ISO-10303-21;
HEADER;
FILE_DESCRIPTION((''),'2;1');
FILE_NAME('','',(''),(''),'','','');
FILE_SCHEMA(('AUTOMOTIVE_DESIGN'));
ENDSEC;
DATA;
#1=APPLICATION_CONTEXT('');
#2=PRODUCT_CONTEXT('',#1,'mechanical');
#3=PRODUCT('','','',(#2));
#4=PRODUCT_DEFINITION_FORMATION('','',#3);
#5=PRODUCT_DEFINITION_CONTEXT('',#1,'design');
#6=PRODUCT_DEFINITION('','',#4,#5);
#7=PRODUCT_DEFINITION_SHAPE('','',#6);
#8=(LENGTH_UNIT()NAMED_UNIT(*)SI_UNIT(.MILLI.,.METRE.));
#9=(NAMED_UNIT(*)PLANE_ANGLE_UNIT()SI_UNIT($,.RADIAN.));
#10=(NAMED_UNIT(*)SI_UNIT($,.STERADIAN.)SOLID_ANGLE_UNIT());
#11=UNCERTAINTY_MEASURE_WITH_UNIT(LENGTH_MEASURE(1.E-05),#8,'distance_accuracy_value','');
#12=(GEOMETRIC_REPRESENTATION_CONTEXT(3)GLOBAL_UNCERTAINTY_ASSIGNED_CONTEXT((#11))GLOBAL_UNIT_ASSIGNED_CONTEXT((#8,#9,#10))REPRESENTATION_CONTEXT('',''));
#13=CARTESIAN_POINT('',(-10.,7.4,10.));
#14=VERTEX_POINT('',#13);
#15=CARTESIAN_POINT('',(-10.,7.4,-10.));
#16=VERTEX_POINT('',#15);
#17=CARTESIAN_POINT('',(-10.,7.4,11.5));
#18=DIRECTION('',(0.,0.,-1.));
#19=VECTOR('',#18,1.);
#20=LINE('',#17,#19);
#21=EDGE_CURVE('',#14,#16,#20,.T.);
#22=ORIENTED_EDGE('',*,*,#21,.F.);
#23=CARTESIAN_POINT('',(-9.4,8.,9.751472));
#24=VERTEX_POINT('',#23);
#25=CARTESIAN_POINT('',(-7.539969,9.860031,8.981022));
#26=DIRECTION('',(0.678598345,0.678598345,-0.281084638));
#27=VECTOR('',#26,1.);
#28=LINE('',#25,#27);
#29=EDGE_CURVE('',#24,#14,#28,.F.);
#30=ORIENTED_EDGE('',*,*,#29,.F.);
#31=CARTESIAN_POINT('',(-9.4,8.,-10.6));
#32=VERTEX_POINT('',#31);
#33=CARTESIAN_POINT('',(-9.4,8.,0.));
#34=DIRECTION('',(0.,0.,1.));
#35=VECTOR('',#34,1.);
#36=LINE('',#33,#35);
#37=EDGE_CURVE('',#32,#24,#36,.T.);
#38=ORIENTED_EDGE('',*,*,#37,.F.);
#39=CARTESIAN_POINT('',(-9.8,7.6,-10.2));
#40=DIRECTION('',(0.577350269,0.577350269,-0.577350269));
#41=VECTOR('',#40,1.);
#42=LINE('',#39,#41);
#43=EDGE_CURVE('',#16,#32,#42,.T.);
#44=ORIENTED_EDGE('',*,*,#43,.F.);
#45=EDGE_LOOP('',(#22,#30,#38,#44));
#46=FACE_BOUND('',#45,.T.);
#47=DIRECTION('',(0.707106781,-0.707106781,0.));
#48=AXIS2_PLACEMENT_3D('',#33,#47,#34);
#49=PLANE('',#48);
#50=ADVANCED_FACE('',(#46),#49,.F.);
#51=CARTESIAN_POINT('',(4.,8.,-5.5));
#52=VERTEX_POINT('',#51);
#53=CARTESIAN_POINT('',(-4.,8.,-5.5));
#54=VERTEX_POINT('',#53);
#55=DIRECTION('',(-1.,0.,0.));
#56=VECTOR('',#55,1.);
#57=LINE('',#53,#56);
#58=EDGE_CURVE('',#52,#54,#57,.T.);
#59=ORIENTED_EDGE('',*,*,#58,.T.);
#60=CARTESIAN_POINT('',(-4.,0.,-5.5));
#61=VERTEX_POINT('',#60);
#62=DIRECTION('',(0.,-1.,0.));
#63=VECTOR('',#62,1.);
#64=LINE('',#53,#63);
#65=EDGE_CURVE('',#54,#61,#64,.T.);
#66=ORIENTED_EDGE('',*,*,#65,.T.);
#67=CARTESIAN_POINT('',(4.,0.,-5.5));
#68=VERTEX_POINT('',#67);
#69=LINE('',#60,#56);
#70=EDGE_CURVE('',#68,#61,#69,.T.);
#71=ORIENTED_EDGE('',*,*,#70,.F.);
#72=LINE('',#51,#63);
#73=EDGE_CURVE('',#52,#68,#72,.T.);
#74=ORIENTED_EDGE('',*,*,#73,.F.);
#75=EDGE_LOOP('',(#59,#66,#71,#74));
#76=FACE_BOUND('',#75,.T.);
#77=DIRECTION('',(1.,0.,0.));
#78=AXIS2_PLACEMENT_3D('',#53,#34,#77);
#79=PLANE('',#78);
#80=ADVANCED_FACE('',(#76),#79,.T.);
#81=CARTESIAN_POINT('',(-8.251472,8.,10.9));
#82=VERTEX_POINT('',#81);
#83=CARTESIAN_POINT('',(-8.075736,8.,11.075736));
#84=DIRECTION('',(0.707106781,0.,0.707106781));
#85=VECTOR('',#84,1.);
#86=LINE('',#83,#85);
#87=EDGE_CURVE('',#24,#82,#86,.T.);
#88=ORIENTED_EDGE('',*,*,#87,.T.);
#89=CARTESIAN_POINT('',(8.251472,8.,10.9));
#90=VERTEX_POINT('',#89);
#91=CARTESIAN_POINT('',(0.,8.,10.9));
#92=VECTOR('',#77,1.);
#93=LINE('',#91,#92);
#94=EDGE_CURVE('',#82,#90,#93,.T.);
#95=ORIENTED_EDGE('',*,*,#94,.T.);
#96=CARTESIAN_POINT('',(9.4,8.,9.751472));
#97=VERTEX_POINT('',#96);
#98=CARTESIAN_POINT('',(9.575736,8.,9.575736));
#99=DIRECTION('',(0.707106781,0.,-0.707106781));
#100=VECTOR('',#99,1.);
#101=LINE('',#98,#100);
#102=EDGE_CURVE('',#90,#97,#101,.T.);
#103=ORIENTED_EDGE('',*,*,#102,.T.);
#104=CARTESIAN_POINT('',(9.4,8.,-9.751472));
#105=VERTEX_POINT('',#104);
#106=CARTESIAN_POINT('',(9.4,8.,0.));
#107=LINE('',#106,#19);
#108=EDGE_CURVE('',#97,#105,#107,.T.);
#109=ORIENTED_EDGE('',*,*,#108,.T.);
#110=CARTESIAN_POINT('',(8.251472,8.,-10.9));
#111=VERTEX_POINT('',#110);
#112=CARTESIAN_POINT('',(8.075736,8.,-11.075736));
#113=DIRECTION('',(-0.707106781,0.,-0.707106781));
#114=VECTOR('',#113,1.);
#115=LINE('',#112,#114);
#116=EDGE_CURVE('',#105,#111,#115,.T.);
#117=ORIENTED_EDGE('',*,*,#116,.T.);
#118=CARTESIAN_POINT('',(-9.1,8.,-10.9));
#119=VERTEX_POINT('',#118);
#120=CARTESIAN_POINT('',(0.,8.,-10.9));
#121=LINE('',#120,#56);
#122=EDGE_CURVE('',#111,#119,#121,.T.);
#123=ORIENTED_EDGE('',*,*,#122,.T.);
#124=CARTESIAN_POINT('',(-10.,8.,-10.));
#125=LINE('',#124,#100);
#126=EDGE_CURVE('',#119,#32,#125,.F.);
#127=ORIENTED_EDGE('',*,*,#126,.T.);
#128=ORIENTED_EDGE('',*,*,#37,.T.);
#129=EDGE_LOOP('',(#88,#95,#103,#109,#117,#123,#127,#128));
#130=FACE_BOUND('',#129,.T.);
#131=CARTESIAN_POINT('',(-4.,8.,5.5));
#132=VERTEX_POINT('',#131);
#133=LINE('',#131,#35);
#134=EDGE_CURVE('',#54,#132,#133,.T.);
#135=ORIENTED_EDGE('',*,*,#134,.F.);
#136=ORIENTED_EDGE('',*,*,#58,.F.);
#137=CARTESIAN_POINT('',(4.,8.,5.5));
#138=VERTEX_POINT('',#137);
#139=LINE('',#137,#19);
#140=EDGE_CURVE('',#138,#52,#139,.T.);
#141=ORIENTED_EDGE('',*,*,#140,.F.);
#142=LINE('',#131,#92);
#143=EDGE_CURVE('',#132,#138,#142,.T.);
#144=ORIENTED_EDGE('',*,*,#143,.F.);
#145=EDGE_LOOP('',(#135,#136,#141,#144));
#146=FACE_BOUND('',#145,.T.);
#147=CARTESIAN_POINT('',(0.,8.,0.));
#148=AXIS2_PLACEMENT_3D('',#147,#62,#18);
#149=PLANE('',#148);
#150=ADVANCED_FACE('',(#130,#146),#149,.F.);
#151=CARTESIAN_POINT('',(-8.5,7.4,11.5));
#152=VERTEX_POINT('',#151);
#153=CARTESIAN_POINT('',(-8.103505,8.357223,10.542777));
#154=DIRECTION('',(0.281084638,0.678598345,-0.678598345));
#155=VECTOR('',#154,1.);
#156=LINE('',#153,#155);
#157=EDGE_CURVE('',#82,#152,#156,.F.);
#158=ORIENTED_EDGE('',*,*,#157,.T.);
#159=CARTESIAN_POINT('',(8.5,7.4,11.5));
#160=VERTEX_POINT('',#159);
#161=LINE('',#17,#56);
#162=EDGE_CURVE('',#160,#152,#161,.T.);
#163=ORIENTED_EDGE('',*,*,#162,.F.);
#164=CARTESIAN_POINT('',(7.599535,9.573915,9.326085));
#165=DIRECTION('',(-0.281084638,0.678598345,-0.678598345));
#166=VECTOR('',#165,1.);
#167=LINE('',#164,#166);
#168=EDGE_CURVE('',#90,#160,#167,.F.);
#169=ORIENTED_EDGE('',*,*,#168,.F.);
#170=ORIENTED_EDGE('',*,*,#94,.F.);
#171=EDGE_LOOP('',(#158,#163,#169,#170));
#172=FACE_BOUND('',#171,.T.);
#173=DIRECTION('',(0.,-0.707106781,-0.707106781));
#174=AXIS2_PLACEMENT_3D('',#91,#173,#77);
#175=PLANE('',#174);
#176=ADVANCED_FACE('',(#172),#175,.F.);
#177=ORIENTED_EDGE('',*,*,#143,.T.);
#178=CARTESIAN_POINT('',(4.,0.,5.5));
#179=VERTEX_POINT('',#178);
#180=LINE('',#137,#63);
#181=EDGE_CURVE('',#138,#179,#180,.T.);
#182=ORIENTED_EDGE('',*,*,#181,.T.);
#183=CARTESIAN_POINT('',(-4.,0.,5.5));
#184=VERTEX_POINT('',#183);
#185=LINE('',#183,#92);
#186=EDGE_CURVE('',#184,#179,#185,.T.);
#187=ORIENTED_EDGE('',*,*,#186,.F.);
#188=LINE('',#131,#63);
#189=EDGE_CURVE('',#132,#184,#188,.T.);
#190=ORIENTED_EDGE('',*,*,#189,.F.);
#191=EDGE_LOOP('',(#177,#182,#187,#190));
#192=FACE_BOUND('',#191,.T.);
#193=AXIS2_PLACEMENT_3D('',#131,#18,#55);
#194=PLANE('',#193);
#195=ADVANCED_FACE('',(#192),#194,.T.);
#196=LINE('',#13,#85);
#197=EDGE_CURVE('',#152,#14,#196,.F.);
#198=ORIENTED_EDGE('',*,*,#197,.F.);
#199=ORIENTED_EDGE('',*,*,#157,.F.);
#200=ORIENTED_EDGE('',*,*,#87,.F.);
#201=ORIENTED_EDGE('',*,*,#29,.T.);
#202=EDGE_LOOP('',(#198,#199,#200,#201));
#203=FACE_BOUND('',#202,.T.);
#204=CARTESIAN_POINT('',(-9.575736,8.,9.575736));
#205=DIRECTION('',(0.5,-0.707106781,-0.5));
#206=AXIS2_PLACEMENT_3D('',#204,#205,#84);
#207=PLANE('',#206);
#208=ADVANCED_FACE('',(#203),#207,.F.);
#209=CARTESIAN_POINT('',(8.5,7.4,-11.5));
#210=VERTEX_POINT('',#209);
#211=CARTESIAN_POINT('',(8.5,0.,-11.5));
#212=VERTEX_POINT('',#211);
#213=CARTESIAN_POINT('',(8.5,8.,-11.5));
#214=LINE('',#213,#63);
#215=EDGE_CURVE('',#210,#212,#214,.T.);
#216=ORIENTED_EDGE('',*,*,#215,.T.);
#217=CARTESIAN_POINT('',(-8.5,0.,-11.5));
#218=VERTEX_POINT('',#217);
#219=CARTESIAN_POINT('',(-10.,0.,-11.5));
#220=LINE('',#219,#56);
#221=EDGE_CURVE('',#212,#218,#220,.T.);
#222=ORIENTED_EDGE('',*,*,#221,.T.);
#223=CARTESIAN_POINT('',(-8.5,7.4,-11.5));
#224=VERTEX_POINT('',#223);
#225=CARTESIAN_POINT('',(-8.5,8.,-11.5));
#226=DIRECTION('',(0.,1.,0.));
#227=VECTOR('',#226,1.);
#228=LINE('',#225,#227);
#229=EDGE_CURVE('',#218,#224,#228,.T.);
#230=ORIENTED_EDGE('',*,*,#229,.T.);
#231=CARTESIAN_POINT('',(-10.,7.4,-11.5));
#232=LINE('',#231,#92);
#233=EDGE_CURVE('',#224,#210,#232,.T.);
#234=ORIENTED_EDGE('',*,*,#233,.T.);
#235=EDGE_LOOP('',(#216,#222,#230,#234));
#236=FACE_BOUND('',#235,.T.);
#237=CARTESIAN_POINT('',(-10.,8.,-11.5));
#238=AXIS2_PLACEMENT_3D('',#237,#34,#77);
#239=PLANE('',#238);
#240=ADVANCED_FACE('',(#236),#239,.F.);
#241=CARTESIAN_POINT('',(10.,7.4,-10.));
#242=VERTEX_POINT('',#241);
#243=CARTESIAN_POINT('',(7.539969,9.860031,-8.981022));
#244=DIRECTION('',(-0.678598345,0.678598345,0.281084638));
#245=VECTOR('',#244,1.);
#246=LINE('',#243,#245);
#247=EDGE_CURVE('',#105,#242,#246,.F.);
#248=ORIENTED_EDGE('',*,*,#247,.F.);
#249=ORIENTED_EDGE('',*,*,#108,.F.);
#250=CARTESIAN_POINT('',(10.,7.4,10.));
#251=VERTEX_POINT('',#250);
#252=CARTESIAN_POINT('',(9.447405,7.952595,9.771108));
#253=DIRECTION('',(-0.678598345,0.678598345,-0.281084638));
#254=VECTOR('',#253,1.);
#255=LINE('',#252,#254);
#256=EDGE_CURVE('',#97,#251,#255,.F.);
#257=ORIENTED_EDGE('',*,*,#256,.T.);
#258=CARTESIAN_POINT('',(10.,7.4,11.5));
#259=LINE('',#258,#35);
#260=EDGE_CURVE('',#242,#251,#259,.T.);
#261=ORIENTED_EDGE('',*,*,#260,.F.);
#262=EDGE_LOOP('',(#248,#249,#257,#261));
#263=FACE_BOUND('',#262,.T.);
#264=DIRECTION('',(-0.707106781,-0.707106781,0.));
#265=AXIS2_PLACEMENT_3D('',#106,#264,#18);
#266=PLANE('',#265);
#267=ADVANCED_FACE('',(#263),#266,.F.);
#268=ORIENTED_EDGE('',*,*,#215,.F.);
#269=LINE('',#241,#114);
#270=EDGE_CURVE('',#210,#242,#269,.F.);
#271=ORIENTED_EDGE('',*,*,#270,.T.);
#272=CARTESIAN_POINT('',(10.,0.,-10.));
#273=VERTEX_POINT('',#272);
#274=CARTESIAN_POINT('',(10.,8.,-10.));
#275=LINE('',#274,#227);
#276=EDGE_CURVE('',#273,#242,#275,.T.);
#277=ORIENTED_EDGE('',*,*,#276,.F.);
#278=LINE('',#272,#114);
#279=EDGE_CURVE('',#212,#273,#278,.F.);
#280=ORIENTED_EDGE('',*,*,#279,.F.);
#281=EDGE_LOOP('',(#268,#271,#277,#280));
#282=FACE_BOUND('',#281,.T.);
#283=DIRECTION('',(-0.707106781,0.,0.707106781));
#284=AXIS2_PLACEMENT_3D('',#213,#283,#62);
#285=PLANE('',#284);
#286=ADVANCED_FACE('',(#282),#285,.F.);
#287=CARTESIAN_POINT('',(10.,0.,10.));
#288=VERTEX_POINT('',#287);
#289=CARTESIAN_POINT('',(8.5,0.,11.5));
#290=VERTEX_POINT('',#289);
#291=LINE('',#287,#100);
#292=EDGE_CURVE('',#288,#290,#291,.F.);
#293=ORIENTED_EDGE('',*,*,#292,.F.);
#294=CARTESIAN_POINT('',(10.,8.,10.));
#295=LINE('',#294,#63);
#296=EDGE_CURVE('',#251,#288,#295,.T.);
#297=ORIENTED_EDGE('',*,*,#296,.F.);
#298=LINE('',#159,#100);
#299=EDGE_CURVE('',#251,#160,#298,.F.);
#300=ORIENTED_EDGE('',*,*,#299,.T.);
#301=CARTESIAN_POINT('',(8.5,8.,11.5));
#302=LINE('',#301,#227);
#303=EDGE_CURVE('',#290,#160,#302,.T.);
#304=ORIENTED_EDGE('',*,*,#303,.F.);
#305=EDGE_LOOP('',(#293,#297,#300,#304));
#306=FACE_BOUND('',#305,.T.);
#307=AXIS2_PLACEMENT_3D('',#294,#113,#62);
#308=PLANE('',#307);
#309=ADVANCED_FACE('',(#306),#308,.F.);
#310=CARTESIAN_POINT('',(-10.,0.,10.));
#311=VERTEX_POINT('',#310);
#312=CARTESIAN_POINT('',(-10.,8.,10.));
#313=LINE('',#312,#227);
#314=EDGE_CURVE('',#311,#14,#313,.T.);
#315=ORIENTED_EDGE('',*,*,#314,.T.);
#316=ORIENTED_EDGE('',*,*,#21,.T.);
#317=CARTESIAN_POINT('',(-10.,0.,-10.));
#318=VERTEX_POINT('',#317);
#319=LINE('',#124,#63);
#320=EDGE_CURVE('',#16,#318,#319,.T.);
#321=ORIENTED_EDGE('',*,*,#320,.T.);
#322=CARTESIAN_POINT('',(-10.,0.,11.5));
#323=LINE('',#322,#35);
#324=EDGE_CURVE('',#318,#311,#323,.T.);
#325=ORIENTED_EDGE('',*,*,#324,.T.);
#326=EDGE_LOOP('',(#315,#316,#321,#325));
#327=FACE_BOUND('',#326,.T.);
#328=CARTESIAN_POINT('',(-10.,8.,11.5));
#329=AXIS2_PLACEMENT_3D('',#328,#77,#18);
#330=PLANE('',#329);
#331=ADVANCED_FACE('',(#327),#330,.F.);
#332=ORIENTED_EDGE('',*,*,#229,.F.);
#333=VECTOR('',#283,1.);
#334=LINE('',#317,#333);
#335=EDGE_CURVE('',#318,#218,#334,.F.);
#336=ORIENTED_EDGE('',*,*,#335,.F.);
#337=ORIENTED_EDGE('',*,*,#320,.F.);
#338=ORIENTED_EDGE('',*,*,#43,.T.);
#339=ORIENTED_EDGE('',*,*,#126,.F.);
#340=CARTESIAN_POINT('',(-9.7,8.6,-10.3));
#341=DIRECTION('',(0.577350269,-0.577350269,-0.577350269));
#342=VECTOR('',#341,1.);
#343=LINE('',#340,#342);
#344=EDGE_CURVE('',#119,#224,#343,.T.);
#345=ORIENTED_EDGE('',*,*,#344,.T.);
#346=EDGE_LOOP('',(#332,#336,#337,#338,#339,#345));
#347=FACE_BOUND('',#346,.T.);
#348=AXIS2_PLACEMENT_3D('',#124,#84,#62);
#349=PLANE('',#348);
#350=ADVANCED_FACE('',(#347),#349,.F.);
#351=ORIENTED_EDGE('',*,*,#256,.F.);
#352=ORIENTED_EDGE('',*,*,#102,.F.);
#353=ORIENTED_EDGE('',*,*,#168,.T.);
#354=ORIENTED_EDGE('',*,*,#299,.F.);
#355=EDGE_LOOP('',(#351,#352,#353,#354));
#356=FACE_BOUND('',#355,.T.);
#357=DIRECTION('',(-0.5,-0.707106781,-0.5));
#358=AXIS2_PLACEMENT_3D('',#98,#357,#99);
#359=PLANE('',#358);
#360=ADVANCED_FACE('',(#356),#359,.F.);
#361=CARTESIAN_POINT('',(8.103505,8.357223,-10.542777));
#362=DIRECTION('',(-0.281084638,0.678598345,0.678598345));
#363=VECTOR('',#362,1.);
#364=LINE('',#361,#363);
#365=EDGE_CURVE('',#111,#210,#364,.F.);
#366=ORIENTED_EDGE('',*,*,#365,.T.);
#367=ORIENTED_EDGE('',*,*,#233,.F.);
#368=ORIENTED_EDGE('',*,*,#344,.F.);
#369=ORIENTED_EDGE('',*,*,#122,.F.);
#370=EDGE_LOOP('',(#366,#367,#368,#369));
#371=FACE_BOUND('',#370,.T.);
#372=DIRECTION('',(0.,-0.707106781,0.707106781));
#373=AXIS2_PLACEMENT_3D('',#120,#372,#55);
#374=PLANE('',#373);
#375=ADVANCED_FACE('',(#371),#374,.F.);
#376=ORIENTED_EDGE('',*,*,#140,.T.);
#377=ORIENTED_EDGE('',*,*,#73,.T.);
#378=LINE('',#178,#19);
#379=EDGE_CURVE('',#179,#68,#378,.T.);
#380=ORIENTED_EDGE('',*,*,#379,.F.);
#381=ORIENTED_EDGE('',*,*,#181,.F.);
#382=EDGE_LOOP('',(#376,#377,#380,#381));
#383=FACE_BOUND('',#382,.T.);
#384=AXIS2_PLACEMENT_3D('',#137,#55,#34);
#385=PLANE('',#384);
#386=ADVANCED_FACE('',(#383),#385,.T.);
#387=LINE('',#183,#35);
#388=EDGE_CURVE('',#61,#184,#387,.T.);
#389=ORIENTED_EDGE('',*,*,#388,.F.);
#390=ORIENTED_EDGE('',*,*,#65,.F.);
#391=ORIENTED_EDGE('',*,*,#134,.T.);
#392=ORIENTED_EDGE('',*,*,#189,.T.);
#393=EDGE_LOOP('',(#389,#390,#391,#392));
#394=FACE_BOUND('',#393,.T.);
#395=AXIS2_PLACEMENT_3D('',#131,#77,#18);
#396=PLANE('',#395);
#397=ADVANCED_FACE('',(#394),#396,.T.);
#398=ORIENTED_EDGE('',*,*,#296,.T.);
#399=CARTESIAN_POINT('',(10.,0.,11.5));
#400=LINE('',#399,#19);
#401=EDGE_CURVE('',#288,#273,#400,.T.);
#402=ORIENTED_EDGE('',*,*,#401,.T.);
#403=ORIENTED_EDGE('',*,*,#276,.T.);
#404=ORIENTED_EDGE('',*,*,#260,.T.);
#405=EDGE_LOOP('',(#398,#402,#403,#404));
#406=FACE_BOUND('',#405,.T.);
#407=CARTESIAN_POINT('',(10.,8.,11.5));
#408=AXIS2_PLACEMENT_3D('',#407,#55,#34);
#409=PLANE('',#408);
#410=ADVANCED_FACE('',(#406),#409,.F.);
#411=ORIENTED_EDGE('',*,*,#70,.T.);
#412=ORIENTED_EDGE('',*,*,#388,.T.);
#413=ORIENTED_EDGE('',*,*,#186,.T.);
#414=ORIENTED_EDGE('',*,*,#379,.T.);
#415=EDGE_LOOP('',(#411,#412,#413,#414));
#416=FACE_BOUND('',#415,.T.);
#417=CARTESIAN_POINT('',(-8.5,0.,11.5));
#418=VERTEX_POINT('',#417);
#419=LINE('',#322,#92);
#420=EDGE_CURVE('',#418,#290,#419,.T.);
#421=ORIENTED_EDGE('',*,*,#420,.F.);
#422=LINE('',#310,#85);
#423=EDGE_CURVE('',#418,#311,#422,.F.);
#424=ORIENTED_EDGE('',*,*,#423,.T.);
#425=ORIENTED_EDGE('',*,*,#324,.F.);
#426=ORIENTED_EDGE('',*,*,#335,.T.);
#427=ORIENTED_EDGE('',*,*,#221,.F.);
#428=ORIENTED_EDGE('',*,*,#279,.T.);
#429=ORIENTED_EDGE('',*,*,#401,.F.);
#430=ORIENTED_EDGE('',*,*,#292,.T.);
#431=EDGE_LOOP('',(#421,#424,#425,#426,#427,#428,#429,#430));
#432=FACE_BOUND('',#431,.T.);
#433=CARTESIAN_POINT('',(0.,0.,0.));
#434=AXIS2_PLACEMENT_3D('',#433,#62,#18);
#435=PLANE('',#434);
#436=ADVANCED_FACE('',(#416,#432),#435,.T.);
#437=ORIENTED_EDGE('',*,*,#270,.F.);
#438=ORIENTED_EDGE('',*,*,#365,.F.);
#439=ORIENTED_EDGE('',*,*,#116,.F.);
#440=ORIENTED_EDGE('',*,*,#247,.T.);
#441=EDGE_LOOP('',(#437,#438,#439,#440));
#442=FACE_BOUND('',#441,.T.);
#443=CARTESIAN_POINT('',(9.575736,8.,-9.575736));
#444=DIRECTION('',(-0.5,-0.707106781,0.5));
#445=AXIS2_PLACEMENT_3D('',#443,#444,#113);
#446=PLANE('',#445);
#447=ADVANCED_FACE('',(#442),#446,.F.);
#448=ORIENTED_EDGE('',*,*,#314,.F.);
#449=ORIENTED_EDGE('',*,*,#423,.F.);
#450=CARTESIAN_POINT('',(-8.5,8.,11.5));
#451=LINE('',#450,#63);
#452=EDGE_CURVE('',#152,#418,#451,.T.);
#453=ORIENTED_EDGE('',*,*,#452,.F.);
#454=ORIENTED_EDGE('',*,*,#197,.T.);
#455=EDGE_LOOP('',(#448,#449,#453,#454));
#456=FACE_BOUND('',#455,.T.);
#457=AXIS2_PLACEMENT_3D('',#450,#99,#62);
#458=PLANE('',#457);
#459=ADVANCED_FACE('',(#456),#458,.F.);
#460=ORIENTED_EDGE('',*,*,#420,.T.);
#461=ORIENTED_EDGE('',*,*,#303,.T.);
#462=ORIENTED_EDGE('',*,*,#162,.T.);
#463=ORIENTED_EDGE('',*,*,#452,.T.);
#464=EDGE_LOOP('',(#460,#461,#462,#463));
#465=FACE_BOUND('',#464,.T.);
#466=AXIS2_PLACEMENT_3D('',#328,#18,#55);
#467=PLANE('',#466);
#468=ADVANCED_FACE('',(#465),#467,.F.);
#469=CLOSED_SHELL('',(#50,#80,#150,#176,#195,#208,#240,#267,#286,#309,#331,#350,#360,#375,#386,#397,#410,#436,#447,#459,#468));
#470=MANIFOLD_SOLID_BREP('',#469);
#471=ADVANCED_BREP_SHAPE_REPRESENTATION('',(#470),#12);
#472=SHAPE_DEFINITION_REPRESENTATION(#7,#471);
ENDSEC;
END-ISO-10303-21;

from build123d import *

# Parameters (mm, degrees)
SKETCH1_W           = 20
SKETCH1_H           = 23
SKETCH1_W_2         = 8
SKETCH1_H_2         = 11
BOSS_EXTRUDE1_DEPTH = 8
CHAMFER1_SIZE       = 1.5
CHAMFER2_SIZE       = 0.6


with BuildPart() as part:
    # Sketch1 → Boss-Extrude1 (new body)
    with BuildSketch(Plane(origin=(0, 0, 0), x_dir=(1, 0, 0), z_dir=(0, 1, 0))):
        Rectangle(SKETCH1_W, SKETCH1_H)
        Rectangle(SKETCH1_W_2, SKETCH1_H_2, mode=Mode.SUBTRACT)
    extrude(amount=BOSS_EXTRUDE1_DEPTH)

    # Chamfer1
    chamfer1_edges = [part.edges().sort_by_distance(p)[0] for p in [
        (-10, 4, -11.5),
        (10, 4, -11.5),
        (10, 4, 11.5),
        (-10, 4, 11.5),
    ]]
    chamfer(chamfer1_edges, length=CHAMFER1_SIZE)

    # Chamfer2
    chamfer2_edges = [part.edges().sort_by_distance(p)[0] for p in [
        (10, 8, 0),
        (0, 8, 11.5),
        (-10, 8, 0),
        (0, 8, -11.5),
        (-9.25, 8, 10.75),
        (9.25, 8, -10.75),
        (9.25, 8, 10.75),
    ]]
    chamfer(chamfer2_edges, length=CHAMFER2_SIZE)


solid = part.part
